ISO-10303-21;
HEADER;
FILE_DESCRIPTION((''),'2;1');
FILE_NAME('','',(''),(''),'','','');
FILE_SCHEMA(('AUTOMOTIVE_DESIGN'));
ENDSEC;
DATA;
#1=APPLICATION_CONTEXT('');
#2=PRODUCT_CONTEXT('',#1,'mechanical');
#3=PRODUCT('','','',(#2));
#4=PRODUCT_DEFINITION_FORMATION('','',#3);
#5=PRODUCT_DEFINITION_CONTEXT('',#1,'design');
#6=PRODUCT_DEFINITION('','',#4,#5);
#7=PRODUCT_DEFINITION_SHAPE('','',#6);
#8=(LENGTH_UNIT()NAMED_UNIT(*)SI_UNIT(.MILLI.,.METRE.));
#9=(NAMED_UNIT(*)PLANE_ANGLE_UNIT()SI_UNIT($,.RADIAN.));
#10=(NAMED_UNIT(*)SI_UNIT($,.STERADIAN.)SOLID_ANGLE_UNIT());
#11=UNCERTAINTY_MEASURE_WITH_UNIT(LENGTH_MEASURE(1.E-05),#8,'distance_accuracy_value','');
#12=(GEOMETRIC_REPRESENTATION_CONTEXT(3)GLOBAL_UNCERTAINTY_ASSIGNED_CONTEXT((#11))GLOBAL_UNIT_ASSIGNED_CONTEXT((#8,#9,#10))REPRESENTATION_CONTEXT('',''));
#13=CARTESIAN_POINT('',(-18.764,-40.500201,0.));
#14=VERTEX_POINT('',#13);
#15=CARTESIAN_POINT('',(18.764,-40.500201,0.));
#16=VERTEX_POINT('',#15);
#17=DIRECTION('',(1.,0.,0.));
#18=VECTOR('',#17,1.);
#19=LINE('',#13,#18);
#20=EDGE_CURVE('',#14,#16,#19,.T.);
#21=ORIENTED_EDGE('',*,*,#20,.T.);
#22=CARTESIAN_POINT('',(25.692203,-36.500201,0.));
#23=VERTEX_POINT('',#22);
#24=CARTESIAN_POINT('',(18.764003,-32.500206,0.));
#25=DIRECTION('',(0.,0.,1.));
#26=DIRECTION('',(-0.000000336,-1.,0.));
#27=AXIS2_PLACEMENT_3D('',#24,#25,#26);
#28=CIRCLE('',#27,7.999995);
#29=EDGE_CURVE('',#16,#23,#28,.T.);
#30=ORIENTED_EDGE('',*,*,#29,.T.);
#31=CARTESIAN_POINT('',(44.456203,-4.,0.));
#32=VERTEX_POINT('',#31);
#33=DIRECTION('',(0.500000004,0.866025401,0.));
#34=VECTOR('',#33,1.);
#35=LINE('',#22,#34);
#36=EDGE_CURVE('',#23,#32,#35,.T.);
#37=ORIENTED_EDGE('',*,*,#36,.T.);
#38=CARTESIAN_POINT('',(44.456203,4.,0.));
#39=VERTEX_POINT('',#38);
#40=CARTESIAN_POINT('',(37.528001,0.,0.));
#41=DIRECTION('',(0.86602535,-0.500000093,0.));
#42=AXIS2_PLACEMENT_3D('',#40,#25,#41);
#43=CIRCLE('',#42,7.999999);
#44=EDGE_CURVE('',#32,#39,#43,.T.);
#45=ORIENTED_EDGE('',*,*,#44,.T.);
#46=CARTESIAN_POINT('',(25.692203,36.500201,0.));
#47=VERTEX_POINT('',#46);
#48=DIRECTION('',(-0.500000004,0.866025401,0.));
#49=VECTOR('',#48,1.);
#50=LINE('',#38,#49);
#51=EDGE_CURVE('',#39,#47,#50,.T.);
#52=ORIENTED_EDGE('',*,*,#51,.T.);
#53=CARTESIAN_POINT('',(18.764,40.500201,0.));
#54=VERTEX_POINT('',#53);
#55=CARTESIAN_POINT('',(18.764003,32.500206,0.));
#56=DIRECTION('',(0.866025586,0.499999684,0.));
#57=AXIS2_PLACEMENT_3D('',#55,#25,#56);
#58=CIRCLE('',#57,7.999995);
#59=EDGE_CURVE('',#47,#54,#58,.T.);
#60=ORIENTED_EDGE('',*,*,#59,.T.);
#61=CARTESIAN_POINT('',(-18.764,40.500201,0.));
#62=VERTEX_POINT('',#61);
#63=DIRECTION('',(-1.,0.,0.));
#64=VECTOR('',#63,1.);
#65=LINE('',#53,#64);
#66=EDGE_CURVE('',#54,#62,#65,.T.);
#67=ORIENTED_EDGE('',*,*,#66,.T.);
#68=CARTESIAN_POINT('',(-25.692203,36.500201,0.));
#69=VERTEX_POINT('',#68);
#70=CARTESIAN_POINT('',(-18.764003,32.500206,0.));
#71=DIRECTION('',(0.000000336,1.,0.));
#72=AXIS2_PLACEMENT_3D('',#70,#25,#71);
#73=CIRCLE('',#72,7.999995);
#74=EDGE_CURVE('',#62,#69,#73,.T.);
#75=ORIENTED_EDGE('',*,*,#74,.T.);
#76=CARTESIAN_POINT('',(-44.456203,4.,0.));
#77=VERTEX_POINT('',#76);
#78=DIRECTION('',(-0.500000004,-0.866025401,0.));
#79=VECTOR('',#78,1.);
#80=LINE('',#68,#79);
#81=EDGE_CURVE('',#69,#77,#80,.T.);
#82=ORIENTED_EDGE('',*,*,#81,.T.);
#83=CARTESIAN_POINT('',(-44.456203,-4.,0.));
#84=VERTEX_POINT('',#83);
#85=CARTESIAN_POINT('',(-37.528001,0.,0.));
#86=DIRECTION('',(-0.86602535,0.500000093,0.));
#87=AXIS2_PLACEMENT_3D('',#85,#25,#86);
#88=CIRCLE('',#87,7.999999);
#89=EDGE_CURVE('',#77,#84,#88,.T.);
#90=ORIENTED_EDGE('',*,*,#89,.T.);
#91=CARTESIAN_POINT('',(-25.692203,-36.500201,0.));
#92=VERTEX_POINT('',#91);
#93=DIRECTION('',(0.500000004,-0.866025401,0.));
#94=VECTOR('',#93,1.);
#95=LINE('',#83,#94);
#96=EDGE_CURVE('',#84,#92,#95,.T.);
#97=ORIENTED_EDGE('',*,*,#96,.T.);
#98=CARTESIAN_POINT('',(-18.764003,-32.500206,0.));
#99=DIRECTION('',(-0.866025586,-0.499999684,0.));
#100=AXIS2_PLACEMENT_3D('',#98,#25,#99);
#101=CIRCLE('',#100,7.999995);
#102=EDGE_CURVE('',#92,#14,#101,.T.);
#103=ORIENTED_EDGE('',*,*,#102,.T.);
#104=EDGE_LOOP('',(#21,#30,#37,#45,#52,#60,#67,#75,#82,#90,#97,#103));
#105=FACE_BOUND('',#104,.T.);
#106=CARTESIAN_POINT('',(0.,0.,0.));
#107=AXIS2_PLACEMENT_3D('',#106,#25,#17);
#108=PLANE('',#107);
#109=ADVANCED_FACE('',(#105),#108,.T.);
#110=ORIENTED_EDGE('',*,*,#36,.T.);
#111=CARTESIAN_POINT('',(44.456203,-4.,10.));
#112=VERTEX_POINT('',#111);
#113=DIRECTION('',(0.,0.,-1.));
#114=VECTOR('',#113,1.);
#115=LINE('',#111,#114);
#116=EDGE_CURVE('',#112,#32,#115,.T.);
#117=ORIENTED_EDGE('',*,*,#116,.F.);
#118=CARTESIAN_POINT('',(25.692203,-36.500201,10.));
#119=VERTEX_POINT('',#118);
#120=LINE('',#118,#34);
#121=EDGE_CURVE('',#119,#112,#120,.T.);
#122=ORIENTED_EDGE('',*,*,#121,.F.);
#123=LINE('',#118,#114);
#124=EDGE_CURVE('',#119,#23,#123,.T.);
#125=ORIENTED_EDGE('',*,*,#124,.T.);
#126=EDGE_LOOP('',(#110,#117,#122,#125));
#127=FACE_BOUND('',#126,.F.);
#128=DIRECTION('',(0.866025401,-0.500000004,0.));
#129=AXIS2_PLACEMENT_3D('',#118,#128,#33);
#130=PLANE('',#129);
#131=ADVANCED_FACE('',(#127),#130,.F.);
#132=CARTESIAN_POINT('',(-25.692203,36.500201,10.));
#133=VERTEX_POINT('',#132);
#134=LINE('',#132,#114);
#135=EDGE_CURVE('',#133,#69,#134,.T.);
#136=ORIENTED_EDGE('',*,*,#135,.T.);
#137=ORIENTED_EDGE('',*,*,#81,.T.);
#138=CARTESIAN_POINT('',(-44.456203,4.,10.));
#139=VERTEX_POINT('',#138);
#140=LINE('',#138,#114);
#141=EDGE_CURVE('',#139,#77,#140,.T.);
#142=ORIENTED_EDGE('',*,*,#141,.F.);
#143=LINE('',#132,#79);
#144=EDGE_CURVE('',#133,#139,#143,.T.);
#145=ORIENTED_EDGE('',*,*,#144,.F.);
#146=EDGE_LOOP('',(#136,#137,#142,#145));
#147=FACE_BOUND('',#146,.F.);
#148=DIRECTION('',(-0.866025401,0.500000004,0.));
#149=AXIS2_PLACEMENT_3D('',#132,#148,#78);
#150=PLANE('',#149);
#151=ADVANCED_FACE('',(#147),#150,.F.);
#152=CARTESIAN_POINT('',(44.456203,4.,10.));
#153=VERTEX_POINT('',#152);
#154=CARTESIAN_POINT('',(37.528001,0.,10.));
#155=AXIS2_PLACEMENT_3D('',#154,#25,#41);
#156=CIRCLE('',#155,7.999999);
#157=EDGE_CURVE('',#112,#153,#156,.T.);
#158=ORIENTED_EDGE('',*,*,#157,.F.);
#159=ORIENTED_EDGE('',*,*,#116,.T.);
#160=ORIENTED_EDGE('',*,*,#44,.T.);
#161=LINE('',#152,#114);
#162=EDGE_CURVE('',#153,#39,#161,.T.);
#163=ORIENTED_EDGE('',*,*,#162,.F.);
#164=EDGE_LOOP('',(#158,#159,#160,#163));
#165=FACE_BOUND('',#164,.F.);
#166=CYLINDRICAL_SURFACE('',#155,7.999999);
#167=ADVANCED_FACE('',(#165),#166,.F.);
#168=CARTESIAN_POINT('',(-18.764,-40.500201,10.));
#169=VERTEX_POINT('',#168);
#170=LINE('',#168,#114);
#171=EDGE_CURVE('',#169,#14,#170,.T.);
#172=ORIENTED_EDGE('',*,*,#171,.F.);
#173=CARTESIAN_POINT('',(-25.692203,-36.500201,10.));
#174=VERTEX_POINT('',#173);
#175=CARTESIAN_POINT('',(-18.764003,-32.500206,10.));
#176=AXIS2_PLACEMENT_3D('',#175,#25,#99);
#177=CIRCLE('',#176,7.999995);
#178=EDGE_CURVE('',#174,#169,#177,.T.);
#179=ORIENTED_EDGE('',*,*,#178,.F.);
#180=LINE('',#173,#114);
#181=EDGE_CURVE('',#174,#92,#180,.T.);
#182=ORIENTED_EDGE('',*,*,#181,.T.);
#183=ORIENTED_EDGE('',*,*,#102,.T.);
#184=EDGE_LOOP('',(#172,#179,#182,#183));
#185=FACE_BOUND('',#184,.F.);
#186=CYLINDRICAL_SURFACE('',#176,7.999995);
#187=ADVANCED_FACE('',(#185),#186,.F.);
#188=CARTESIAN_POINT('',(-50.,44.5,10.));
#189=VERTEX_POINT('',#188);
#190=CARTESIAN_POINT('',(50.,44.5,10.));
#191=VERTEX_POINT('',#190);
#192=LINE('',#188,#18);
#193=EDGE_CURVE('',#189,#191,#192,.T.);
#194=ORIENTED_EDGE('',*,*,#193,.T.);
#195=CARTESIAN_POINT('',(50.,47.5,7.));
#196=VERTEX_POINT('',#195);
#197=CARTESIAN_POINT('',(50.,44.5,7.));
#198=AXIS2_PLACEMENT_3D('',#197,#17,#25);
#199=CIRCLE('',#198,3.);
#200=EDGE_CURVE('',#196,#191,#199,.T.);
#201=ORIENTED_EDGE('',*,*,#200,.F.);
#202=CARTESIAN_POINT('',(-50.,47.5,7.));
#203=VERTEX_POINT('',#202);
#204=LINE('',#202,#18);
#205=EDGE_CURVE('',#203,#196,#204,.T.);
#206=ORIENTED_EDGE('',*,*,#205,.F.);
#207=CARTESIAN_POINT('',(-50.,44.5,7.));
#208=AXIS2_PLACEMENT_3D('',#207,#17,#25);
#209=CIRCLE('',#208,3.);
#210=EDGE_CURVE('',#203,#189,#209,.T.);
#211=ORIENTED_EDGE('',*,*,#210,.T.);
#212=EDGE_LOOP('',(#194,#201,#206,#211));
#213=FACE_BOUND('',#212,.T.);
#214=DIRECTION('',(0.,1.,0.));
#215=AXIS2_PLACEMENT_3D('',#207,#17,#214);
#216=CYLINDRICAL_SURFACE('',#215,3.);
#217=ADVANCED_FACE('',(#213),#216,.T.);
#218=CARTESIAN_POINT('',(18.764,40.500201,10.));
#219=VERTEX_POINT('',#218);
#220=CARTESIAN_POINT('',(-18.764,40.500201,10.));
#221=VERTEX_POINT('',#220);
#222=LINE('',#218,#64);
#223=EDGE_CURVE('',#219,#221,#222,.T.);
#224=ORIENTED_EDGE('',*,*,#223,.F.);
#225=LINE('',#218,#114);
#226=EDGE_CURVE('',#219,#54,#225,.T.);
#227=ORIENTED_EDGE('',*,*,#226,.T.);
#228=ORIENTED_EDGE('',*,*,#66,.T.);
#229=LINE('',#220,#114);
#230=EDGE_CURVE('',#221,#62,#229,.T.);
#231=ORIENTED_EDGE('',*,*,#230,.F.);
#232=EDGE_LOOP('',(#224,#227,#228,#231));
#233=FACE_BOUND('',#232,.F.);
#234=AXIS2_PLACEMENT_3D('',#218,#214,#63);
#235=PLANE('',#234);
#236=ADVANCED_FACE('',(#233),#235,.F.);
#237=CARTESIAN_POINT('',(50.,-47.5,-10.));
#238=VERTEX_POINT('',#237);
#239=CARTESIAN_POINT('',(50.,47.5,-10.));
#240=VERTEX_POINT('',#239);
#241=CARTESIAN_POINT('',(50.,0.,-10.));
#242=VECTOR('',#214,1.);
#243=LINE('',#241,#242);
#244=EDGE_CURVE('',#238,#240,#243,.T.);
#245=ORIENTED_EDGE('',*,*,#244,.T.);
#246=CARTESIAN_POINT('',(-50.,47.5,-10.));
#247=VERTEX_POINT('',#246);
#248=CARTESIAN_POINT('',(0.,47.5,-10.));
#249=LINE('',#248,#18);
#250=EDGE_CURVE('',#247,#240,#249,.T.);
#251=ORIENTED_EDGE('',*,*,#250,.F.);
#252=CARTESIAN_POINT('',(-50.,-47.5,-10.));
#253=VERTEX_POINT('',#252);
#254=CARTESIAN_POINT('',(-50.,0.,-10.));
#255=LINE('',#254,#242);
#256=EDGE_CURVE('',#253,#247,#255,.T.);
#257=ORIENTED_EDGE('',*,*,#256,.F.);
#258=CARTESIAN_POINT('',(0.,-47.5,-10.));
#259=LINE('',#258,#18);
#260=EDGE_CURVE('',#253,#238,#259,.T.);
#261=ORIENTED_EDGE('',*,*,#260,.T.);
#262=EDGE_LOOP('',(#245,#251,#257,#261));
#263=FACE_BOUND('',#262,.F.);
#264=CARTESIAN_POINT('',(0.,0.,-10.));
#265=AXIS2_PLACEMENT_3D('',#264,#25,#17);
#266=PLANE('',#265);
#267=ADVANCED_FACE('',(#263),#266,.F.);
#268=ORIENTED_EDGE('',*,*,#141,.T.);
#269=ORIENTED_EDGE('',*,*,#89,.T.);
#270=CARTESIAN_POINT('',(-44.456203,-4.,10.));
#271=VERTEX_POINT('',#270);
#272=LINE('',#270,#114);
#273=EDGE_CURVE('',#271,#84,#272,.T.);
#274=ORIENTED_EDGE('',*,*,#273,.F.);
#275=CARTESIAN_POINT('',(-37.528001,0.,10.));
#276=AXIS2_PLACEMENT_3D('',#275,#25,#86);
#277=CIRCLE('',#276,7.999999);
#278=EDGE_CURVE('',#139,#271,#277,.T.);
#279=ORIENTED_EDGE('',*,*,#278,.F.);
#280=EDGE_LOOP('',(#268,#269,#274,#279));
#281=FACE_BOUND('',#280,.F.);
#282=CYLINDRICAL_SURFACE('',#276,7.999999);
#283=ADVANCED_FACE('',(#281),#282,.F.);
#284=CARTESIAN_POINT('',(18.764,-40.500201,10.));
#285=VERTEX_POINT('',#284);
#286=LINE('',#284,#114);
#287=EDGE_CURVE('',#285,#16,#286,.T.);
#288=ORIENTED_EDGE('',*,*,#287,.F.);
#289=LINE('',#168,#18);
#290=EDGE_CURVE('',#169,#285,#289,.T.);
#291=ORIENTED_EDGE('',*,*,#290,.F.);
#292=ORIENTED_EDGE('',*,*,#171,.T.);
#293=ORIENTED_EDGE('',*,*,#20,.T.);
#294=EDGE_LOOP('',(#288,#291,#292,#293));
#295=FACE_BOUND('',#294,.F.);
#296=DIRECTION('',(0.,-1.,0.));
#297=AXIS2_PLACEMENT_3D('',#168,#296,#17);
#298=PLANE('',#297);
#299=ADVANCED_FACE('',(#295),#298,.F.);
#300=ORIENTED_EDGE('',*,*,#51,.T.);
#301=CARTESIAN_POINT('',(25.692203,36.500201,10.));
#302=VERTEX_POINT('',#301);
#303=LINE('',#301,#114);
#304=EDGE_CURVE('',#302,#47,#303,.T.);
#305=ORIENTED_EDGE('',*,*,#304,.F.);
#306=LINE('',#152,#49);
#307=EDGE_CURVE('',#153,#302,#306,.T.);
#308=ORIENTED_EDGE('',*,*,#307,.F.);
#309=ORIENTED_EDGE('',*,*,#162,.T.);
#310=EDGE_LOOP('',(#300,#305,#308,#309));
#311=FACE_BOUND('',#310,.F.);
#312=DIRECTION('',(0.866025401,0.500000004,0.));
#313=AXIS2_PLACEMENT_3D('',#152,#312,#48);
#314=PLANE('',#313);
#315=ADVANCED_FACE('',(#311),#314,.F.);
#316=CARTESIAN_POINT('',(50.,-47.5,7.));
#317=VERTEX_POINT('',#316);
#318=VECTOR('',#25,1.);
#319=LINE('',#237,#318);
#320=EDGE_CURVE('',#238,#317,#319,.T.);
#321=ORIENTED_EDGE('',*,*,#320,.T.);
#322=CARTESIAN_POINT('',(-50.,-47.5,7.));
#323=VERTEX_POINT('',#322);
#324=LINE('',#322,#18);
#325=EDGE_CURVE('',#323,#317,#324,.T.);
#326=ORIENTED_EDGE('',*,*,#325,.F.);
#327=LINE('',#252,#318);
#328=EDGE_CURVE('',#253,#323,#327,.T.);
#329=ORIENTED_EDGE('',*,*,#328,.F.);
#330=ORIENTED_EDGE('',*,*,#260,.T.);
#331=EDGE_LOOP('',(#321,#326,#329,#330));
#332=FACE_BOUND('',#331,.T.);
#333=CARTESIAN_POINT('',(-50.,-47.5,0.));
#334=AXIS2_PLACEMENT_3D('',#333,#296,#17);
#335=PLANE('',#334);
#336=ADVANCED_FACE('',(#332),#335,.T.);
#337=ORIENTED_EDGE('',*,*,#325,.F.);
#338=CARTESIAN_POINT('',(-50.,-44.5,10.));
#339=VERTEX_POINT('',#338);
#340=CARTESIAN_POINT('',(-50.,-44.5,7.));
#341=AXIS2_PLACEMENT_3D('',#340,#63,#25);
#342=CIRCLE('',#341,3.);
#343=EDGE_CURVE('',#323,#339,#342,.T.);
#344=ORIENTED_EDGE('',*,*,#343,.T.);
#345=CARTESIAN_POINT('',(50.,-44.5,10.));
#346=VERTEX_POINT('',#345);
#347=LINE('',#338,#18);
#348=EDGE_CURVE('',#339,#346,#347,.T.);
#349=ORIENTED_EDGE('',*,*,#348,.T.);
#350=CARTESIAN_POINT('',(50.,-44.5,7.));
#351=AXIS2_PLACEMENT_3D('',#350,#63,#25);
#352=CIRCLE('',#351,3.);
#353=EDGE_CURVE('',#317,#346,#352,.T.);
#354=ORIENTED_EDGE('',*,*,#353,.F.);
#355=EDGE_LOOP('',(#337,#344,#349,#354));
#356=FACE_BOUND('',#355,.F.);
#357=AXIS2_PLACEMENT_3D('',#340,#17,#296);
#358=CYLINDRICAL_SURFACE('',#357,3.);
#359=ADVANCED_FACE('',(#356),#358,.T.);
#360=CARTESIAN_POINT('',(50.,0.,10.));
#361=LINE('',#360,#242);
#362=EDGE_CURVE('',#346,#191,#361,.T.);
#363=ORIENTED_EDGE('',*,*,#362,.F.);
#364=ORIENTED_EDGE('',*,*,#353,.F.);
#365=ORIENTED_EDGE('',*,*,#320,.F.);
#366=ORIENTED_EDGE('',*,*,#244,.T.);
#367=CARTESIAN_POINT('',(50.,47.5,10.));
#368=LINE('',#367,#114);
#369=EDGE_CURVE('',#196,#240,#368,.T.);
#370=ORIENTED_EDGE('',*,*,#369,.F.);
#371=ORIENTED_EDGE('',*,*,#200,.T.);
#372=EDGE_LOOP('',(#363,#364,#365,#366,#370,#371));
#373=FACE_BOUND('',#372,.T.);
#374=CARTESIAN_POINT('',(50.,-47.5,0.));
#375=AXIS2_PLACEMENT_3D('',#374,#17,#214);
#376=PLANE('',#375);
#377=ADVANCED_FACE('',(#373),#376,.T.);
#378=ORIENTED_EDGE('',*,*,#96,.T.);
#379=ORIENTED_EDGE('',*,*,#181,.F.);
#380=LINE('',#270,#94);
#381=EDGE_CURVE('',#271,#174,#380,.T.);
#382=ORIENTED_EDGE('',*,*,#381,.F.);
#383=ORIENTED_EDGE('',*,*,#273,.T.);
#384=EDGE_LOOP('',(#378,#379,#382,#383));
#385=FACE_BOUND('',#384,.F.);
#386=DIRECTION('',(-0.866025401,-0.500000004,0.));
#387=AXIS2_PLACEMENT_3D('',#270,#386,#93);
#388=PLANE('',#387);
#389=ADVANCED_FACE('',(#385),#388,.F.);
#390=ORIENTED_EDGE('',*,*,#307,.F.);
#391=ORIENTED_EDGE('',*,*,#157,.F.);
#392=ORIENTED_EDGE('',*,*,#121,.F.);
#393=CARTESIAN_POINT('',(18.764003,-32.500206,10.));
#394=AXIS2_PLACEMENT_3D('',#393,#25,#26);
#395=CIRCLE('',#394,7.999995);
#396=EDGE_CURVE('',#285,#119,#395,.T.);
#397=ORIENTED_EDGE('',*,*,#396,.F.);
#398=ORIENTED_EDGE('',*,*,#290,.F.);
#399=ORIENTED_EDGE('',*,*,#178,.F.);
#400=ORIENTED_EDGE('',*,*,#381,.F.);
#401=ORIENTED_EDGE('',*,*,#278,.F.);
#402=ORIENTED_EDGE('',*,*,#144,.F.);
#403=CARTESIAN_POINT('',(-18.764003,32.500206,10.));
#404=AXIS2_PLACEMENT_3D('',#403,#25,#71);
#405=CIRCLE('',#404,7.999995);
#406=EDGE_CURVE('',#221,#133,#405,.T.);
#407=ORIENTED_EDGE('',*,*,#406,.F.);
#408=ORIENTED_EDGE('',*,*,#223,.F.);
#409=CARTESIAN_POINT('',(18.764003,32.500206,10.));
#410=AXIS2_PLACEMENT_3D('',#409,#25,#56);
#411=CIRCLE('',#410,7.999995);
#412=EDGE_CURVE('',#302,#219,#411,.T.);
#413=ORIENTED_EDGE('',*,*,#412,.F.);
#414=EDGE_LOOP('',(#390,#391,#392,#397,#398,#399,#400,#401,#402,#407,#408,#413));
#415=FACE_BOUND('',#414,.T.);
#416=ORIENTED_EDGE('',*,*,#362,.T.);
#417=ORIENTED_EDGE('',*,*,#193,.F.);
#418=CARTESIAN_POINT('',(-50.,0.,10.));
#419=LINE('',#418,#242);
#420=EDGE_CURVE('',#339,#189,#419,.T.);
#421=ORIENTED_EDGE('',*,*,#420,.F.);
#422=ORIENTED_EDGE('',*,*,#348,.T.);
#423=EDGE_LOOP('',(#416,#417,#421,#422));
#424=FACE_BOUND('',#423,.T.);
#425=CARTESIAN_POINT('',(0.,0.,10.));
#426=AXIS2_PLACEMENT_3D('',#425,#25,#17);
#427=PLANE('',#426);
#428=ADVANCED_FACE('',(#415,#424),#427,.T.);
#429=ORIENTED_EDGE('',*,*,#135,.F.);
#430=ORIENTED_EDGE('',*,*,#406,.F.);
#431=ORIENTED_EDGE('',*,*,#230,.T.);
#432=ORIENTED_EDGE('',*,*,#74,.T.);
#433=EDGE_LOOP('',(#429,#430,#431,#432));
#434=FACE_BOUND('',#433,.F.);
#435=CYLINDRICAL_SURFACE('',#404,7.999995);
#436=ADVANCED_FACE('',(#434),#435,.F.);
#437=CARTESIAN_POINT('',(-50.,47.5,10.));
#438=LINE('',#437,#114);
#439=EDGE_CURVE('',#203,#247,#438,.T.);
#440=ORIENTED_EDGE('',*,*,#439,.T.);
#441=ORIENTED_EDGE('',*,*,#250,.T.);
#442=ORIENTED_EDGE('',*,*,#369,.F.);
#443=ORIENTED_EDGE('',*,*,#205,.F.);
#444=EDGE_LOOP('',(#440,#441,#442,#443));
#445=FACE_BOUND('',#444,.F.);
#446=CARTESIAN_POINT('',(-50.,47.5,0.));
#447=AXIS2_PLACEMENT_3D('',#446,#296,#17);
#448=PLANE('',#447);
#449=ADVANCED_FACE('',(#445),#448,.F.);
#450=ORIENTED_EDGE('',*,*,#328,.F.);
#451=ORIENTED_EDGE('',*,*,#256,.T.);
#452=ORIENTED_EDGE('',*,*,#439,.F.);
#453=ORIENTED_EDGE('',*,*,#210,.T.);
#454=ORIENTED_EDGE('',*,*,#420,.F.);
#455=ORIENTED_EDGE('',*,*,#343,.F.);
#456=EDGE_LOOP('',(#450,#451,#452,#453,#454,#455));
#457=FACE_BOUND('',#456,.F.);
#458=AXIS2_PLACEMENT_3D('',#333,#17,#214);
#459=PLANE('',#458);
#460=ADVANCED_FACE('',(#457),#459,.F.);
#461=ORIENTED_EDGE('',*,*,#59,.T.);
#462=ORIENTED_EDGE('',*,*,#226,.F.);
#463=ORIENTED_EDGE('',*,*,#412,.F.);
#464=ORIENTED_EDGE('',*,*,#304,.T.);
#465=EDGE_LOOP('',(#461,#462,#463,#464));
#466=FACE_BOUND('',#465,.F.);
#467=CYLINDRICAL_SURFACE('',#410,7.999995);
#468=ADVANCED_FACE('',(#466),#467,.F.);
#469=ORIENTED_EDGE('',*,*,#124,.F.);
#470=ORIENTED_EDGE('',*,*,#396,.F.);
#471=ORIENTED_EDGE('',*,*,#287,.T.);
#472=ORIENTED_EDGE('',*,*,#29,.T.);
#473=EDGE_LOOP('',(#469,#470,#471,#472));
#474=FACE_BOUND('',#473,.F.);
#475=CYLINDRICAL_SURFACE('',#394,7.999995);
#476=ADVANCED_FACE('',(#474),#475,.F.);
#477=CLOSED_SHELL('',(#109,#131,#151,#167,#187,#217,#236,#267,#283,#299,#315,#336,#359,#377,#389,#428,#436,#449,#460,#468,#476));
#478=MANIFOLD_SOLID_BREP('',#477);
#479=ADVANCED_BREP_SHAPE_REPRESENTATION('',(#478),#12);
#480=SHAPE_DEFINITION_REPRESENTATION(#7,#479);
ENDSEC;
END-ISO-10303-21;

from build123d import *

# Parameters (mm, degrees)
F0_W     = 100
F0_H     = 95
F1_DEPTH = 10
F3_DEPTH = 10
F4_R     = 3


with BuildPart() as f1:
    # F0 (on Top) → F1 (new body, symmetric)
    with BuildSketch(Plane.XY):
        Rectangle(F0_W, F0_H)
    extrude(amount=F1_DEPTH, both=True)

    # F2 (on face) → F3 (cut)
    with BuildSketch(Plane.XY.offset(10)):
        with BuildLine():
            Line((18.764, 40.500201), (-18.764, 40.500201))
            ThreePointArc((-18.764, 40.500201), (-22.764, 39.428405), (-25.692203, 36.500201))
            Line((-25.692203, 36.500201), (-44.456203, 4))
            ThreePointArc((-44.456203, 4), (-45.528, 0), (-44.456203, -4))
            Line((-44.456203, -4), (-25.692203, -36.500201))
            ThreePointArc((-25.692203, -36.500201), (-22.764, -39.428405), (-18.764, -40.500201))
            Line((-18.764, -40.500201), (18.764, -40.500201))
            ThreePointArc((18.764, -40.500201), (22.764, -39.428405), (25.692203, -36.500201))
            Line((25.692203, -36.500201), (44.456203, -4))
            ThreePointArc((44.456203, -4), (45.528, 0), (44.456203, 4))
            Line((44.456203, 4), (25.692203, 36.500201))
            ThreePointArc((25.692203, 36.500201), (22.764, 39.428405), (18.764, 40.500201))
        make_face()
    extrude(amount=-F3_DEPTH, mode=Mode.SUBTRACT)

    # F4
    f4_edges = [f1.edges().sort_by_distance(p)[0] for p in [
        (0, -47.5, 10),
        (0, 47.5, 10),
    ]]
    fillet(f4_edges, radius=F4_R)


solid = f1.part
